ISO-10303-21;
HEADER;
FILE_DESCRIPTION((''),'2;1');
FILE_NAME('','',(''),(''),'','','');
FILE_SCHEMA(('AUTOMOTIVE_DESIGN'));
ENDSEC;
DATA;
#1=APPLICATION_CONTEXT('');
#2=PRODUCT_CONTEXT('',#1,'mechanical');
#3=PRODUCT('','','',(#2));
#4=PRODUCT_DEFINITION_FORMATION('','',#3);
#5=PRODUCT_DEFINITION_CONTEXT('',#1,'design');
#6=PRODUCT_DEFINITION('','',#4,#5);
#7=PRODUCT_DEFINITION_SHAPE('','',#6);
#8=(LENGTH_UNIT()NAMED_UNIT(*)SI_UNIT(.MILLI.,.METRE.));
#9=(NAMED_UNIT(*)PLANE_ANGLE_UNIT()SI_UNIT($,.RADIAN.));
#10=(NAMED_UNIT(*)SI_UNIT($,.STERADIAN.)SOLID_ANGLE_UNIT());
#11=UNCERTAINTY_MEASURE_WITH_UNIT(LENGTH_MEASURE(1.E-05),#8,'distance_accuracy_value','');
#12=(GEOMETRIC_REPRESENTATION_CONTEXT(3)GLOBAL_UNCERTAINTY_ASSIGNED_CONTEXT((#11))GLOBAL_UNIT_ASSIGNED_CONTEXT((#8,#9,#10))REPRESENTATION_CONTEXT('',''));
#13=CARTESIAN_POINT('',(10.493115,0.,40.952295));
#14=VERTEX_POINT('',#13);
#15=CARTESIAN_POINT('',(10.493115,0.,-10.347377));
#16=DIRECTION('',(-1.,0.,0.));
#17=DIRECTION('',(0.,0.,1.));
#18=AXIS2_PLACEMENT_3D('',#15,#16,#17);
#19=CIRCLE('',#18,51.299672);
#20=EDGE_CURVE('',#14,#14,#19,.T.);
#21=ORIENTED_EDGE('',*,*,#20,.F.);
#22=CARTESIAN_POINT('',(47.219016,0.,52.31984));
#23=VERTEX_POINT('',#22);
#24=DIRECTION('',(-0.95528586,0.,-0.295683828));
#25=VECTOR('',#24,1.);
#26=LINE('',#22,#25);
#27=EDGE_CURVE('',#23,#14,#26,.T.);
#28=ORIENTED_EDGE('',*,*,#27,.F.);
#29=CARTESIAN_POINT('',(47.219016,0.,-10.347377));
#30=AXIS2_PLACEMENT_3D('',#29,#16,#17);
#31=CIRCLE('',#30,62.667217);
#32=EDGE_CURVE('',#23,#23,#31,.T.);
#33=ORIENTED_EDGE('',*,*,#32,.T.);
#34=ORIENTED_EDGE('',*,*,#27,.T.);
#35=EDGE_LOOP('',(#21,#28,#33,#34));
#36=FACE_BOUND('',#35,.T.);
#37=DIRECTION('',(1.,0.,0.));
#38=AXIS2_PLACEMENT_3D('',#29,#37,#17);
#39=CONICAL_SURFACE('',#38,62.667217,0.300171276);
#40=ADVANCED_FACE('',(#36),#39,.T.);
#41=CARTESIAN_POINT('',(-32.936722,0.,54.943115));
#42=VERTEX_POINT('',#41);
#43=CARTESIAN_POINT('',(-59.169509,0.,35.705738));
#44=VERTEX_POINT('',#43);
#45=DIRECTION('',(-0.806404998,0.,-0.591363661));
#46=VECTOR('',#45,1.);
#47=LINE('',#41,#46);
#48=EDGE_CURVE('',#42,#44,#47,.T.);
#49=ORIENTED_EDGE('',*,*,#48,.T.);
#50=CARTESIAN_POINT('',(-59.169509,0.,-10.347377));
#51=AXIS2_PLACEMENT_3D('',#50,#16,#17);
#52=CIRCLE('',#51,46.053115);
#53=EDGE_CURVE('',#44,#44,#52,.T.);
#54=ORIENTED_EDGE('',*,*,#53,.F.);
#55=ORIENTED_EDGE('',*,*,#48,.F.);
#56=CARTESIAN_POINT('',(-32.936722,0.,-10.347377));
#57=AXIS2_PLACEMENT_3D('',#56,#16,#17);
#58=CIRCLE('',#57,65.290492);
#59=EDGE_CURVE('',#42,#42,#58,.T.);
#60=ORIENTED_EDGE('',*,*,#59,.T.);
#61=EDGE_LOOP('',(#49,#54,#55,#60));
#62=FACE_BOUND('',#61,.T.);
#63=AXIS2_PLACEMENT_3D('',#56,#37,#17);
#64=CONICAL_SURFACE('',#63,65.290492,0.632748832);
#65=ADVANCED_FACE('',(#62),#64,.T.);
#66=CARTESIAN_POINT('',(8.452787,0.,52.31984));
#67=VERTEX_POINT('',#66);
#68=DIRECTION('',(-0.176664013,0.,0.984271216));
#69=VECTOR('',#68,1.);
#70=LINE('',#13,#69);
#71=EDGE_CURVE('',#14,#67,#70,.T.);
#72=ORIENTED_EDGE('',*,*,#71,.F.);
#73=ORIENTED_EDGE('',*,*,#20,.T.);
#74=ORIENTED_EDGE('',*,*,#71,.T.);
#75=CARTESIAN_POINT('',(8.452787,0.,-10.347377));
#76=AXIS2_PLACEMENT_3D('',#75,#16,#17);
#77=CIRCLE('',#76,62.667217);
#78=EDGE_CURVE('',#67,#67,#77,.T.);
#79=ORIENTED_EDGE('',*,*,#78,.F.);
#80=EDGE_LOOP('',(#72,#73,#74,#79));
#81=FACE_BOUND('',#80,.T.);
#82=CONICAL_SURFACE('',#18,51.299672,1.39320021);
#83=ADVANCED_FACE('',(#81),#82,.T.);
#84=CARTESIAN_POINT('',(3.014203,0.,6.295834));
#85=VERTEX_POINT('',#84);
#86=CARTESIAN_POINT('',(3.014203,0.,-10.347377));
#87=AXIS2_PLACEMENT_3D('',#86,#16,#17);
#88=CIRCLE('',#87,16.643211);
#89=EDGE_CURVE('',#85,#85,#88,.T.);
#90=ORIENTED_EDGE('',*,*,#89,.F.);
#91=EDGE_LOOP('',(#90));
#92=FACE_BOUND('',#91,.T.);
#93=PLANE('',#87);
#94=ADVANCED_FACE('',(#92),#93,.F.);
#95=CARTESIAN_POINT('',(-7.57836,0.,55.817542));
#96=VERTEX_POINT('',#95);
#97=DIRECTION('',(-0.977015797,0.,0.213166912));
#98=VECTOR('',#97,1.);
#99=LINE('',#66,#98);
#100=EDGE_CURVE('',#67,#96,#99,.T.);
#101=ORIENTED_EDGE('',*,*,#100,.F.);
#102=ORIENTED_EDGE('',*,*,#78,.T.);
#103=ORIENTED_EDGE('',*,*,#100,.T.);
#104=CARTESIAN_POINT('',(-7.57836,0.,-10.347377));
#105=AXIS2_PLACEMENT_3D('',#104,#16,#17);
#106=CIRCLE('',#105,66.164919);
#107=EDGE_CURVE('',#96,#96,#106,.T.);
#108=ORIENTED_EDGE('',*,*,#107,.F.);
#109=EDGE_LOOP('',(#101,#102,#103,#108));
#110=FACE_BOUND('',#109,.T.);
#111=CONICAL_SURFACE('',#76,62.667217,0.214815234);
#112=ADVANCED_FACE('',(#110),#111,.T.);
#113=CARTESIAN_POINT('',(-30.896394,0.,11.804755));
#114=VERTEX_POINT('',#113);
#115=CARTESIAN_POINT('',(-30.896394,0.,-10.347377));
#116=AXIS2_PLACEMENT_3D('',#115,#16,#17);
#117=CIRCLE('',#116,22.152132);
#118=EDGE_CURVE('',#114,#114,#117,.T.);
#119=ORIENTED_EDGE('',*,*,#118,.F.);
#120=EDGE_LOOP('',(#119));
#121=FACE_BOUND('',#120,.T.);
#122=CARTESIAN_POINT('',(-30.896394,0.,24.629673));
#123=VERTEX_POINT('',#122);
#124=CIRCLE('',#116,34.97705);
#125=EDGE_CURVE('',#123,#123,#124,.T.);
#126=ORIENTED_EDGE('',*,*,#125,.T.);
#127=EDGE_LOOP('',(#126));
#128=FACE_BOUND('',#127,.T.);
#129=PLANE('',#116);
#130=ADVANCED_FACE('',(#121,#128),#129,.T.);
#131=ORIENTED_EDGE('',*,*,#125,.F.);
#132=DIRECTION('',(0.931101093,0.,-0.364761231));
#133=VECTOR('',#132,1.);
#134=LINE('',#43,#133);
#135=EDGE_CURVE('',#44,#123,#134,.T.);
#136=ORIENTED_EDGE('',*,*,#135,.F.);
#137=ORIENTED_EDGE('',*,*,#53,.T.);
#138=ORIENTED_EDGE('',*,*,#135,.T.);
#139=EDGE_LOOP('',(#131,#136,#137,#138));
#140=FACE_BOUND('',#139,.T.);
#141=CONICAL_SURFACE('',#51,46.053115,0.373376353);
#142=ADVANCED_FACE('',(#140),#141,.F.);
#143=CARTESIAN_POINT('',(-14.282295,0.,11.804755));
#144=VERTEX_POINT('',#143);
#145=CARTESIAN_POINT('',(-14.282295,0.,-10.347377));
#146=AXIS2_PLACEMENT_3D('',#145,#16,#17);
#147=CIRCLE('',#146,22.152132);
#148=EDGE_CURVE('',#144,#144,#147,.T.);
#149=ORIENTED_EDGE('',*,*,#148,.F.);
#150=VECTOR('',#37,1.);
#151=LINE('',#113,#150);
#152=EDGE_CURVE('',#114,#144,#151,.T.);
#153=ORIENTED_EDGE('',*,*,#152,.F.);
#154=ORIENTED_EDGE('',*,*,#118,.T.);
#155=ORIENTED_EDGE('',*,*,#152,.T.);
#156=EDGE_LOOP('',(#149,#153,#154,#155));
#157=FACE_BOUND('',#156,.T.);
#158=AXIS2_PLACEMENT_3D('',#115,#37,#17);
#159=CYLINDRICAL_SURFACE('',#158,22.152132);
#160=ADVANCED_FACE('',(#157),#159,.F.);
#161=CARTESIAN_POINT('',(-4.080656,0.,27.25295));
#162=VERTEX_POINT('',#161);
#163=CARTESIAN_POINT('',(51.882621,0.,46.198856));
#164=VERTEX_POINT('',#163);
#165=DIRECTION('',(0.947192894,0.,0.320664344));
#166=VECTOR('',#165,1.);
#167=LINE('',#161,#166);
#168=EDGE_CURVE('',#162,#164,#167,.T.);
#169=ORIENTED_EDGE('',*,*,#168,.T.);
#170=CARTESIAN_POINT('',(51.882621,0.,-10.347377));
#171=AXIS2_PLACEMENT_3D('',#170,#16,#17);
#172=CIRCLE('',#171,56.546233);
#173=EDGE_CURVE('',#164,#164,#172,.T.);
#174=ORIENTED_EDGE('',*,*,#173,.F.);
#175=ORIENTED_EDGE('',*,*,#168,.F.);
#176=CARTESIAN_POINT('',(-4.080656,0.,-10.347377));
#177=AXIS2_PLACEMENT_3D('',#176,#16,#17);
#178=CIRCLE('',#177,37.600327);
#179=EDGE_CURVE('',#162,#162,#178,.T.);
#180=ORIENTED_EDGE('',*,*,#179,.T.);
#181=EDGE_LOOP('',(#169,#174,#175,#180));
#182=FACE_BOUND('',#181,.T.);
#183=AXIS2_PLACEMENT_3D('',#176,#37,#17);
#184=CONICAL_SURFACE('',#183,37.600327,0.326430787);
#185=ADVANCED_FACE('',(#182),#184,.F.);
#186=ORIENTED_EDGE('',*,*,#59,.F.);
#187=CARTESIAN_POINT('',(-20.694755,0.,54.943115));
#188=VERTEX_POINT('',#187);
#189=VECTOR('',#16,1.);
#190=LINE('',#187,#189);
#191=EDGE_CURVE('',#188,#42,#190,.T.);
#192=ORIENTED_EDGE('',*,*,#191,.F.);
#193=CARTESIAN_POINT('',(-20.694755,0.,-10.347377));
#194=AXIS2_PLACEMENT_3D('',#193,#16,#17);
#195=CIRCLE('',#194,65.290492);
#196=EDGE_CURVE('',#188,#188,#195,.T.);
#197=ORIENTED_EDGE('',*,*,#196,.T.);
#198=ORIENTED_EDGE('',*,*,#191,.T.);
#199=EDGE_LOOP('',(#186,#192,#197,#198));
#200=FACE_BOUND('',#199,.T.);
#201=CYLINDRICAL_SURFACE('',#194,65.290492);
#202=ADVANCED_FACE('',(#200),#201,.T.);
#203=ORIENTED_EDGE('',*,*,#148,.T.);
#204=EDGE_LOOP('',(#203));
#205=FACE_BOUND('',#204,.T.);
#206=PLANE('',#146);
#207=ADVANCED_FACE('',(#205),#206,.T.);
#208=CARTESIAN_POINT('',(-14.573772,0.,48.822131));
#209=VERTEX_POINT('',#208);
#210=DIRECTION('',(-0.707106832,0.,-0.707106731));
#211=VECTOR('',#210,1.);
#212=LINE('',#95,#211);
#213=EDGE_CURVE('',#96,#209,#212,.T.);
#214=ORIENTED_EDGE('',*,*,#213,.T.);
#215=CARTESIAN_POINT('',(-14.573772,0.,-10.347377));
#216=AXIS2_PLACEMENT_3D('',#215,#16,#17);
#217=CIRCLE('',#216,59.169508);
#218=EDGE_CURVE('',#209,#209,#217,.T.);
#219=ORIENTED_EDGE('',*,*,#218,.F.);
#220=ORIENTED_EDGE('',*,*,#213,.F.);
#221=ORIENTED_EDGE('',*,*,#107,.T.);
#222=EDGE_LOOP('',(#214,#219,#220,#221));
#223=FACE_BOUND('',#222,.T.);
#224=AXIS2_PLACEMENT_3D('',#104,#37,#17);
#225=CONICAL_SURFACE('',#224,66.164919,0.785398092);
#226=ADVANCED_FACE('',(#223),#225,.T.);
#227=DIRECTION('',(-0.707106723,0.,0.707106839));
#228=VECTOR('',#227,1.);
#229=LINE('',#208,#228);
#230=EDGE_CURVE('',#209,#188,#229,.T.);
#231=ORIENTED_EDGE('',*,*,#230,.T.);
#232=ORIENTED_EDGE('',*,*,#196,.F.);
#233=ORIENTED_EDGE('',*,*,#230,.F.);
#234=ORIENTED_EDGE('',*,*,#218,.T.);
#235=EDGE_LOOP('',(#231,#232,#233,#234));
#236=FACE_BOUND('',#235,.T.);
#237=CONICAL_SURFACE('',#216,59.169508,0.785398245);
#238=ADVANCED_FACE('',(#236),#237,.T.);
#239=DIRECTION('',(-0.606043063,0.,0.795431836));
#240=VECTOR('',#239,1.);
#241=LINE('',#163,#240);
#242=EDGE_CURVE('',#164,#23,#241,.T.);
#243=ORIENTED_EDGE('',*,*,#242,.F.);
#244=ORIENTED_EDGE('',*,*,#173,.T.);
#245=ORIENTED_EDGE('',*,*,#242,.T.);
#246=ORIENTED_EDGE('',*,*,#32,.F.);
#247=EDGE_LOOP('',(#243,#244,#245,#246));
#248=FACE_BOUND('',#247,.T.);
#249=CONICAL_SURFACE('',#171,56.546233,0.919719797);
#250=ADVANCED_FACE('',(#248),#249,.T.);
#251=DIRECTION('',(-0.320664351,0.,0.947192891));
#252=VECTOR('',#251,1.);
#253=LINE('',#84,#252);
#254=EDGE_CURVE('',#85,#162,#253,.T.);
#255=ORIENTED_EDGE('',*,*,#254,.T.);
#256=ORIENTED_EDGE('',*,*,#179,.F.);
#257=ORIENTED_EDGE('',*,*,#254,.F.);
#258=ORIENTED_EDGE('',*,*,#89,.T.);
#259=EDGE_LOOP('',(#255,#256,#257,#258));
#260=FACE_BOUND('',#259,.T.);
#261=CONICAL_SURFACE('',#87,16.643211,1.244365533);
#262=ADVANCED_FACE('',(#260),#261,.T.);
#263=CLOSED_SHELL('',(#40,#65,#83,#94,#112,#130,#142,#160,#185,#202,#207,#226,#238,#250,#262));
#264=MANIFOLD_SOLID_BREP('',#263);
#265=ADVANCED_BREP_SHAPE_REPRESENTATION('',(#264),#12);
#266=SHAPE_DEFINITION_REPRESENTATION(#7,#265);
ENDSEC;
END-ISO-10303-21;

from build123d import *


with BuildPart() as f1:
    # F0 (on Front) → F1 (revolve)
    with BuildSketch(Plane.XZ):
        Polygon((-20.694755, 54.943115), (-32.936722, 54.943115), (-59.169509, 35.705738), (-30.896394, 24.629673), (-30.896394, 11.804755), (-14.282295, 11.804755), (-14.282295, -10.347377), (3.014203, -10.347377), (3.014203, 6.295834), (-4.080656, 27.25295), (51.882621, 46.198856), (47.219016, 52.31984), (10.493115, 40.952295), (8.452787, 52.31984), (-7.57836, 55.817542), (-14.573772, 48.822131), align=None)
    revolve(axis=Axis((-5.634046, 0, -10.347377), (-1, 0, 0)))


solid = f1.part
